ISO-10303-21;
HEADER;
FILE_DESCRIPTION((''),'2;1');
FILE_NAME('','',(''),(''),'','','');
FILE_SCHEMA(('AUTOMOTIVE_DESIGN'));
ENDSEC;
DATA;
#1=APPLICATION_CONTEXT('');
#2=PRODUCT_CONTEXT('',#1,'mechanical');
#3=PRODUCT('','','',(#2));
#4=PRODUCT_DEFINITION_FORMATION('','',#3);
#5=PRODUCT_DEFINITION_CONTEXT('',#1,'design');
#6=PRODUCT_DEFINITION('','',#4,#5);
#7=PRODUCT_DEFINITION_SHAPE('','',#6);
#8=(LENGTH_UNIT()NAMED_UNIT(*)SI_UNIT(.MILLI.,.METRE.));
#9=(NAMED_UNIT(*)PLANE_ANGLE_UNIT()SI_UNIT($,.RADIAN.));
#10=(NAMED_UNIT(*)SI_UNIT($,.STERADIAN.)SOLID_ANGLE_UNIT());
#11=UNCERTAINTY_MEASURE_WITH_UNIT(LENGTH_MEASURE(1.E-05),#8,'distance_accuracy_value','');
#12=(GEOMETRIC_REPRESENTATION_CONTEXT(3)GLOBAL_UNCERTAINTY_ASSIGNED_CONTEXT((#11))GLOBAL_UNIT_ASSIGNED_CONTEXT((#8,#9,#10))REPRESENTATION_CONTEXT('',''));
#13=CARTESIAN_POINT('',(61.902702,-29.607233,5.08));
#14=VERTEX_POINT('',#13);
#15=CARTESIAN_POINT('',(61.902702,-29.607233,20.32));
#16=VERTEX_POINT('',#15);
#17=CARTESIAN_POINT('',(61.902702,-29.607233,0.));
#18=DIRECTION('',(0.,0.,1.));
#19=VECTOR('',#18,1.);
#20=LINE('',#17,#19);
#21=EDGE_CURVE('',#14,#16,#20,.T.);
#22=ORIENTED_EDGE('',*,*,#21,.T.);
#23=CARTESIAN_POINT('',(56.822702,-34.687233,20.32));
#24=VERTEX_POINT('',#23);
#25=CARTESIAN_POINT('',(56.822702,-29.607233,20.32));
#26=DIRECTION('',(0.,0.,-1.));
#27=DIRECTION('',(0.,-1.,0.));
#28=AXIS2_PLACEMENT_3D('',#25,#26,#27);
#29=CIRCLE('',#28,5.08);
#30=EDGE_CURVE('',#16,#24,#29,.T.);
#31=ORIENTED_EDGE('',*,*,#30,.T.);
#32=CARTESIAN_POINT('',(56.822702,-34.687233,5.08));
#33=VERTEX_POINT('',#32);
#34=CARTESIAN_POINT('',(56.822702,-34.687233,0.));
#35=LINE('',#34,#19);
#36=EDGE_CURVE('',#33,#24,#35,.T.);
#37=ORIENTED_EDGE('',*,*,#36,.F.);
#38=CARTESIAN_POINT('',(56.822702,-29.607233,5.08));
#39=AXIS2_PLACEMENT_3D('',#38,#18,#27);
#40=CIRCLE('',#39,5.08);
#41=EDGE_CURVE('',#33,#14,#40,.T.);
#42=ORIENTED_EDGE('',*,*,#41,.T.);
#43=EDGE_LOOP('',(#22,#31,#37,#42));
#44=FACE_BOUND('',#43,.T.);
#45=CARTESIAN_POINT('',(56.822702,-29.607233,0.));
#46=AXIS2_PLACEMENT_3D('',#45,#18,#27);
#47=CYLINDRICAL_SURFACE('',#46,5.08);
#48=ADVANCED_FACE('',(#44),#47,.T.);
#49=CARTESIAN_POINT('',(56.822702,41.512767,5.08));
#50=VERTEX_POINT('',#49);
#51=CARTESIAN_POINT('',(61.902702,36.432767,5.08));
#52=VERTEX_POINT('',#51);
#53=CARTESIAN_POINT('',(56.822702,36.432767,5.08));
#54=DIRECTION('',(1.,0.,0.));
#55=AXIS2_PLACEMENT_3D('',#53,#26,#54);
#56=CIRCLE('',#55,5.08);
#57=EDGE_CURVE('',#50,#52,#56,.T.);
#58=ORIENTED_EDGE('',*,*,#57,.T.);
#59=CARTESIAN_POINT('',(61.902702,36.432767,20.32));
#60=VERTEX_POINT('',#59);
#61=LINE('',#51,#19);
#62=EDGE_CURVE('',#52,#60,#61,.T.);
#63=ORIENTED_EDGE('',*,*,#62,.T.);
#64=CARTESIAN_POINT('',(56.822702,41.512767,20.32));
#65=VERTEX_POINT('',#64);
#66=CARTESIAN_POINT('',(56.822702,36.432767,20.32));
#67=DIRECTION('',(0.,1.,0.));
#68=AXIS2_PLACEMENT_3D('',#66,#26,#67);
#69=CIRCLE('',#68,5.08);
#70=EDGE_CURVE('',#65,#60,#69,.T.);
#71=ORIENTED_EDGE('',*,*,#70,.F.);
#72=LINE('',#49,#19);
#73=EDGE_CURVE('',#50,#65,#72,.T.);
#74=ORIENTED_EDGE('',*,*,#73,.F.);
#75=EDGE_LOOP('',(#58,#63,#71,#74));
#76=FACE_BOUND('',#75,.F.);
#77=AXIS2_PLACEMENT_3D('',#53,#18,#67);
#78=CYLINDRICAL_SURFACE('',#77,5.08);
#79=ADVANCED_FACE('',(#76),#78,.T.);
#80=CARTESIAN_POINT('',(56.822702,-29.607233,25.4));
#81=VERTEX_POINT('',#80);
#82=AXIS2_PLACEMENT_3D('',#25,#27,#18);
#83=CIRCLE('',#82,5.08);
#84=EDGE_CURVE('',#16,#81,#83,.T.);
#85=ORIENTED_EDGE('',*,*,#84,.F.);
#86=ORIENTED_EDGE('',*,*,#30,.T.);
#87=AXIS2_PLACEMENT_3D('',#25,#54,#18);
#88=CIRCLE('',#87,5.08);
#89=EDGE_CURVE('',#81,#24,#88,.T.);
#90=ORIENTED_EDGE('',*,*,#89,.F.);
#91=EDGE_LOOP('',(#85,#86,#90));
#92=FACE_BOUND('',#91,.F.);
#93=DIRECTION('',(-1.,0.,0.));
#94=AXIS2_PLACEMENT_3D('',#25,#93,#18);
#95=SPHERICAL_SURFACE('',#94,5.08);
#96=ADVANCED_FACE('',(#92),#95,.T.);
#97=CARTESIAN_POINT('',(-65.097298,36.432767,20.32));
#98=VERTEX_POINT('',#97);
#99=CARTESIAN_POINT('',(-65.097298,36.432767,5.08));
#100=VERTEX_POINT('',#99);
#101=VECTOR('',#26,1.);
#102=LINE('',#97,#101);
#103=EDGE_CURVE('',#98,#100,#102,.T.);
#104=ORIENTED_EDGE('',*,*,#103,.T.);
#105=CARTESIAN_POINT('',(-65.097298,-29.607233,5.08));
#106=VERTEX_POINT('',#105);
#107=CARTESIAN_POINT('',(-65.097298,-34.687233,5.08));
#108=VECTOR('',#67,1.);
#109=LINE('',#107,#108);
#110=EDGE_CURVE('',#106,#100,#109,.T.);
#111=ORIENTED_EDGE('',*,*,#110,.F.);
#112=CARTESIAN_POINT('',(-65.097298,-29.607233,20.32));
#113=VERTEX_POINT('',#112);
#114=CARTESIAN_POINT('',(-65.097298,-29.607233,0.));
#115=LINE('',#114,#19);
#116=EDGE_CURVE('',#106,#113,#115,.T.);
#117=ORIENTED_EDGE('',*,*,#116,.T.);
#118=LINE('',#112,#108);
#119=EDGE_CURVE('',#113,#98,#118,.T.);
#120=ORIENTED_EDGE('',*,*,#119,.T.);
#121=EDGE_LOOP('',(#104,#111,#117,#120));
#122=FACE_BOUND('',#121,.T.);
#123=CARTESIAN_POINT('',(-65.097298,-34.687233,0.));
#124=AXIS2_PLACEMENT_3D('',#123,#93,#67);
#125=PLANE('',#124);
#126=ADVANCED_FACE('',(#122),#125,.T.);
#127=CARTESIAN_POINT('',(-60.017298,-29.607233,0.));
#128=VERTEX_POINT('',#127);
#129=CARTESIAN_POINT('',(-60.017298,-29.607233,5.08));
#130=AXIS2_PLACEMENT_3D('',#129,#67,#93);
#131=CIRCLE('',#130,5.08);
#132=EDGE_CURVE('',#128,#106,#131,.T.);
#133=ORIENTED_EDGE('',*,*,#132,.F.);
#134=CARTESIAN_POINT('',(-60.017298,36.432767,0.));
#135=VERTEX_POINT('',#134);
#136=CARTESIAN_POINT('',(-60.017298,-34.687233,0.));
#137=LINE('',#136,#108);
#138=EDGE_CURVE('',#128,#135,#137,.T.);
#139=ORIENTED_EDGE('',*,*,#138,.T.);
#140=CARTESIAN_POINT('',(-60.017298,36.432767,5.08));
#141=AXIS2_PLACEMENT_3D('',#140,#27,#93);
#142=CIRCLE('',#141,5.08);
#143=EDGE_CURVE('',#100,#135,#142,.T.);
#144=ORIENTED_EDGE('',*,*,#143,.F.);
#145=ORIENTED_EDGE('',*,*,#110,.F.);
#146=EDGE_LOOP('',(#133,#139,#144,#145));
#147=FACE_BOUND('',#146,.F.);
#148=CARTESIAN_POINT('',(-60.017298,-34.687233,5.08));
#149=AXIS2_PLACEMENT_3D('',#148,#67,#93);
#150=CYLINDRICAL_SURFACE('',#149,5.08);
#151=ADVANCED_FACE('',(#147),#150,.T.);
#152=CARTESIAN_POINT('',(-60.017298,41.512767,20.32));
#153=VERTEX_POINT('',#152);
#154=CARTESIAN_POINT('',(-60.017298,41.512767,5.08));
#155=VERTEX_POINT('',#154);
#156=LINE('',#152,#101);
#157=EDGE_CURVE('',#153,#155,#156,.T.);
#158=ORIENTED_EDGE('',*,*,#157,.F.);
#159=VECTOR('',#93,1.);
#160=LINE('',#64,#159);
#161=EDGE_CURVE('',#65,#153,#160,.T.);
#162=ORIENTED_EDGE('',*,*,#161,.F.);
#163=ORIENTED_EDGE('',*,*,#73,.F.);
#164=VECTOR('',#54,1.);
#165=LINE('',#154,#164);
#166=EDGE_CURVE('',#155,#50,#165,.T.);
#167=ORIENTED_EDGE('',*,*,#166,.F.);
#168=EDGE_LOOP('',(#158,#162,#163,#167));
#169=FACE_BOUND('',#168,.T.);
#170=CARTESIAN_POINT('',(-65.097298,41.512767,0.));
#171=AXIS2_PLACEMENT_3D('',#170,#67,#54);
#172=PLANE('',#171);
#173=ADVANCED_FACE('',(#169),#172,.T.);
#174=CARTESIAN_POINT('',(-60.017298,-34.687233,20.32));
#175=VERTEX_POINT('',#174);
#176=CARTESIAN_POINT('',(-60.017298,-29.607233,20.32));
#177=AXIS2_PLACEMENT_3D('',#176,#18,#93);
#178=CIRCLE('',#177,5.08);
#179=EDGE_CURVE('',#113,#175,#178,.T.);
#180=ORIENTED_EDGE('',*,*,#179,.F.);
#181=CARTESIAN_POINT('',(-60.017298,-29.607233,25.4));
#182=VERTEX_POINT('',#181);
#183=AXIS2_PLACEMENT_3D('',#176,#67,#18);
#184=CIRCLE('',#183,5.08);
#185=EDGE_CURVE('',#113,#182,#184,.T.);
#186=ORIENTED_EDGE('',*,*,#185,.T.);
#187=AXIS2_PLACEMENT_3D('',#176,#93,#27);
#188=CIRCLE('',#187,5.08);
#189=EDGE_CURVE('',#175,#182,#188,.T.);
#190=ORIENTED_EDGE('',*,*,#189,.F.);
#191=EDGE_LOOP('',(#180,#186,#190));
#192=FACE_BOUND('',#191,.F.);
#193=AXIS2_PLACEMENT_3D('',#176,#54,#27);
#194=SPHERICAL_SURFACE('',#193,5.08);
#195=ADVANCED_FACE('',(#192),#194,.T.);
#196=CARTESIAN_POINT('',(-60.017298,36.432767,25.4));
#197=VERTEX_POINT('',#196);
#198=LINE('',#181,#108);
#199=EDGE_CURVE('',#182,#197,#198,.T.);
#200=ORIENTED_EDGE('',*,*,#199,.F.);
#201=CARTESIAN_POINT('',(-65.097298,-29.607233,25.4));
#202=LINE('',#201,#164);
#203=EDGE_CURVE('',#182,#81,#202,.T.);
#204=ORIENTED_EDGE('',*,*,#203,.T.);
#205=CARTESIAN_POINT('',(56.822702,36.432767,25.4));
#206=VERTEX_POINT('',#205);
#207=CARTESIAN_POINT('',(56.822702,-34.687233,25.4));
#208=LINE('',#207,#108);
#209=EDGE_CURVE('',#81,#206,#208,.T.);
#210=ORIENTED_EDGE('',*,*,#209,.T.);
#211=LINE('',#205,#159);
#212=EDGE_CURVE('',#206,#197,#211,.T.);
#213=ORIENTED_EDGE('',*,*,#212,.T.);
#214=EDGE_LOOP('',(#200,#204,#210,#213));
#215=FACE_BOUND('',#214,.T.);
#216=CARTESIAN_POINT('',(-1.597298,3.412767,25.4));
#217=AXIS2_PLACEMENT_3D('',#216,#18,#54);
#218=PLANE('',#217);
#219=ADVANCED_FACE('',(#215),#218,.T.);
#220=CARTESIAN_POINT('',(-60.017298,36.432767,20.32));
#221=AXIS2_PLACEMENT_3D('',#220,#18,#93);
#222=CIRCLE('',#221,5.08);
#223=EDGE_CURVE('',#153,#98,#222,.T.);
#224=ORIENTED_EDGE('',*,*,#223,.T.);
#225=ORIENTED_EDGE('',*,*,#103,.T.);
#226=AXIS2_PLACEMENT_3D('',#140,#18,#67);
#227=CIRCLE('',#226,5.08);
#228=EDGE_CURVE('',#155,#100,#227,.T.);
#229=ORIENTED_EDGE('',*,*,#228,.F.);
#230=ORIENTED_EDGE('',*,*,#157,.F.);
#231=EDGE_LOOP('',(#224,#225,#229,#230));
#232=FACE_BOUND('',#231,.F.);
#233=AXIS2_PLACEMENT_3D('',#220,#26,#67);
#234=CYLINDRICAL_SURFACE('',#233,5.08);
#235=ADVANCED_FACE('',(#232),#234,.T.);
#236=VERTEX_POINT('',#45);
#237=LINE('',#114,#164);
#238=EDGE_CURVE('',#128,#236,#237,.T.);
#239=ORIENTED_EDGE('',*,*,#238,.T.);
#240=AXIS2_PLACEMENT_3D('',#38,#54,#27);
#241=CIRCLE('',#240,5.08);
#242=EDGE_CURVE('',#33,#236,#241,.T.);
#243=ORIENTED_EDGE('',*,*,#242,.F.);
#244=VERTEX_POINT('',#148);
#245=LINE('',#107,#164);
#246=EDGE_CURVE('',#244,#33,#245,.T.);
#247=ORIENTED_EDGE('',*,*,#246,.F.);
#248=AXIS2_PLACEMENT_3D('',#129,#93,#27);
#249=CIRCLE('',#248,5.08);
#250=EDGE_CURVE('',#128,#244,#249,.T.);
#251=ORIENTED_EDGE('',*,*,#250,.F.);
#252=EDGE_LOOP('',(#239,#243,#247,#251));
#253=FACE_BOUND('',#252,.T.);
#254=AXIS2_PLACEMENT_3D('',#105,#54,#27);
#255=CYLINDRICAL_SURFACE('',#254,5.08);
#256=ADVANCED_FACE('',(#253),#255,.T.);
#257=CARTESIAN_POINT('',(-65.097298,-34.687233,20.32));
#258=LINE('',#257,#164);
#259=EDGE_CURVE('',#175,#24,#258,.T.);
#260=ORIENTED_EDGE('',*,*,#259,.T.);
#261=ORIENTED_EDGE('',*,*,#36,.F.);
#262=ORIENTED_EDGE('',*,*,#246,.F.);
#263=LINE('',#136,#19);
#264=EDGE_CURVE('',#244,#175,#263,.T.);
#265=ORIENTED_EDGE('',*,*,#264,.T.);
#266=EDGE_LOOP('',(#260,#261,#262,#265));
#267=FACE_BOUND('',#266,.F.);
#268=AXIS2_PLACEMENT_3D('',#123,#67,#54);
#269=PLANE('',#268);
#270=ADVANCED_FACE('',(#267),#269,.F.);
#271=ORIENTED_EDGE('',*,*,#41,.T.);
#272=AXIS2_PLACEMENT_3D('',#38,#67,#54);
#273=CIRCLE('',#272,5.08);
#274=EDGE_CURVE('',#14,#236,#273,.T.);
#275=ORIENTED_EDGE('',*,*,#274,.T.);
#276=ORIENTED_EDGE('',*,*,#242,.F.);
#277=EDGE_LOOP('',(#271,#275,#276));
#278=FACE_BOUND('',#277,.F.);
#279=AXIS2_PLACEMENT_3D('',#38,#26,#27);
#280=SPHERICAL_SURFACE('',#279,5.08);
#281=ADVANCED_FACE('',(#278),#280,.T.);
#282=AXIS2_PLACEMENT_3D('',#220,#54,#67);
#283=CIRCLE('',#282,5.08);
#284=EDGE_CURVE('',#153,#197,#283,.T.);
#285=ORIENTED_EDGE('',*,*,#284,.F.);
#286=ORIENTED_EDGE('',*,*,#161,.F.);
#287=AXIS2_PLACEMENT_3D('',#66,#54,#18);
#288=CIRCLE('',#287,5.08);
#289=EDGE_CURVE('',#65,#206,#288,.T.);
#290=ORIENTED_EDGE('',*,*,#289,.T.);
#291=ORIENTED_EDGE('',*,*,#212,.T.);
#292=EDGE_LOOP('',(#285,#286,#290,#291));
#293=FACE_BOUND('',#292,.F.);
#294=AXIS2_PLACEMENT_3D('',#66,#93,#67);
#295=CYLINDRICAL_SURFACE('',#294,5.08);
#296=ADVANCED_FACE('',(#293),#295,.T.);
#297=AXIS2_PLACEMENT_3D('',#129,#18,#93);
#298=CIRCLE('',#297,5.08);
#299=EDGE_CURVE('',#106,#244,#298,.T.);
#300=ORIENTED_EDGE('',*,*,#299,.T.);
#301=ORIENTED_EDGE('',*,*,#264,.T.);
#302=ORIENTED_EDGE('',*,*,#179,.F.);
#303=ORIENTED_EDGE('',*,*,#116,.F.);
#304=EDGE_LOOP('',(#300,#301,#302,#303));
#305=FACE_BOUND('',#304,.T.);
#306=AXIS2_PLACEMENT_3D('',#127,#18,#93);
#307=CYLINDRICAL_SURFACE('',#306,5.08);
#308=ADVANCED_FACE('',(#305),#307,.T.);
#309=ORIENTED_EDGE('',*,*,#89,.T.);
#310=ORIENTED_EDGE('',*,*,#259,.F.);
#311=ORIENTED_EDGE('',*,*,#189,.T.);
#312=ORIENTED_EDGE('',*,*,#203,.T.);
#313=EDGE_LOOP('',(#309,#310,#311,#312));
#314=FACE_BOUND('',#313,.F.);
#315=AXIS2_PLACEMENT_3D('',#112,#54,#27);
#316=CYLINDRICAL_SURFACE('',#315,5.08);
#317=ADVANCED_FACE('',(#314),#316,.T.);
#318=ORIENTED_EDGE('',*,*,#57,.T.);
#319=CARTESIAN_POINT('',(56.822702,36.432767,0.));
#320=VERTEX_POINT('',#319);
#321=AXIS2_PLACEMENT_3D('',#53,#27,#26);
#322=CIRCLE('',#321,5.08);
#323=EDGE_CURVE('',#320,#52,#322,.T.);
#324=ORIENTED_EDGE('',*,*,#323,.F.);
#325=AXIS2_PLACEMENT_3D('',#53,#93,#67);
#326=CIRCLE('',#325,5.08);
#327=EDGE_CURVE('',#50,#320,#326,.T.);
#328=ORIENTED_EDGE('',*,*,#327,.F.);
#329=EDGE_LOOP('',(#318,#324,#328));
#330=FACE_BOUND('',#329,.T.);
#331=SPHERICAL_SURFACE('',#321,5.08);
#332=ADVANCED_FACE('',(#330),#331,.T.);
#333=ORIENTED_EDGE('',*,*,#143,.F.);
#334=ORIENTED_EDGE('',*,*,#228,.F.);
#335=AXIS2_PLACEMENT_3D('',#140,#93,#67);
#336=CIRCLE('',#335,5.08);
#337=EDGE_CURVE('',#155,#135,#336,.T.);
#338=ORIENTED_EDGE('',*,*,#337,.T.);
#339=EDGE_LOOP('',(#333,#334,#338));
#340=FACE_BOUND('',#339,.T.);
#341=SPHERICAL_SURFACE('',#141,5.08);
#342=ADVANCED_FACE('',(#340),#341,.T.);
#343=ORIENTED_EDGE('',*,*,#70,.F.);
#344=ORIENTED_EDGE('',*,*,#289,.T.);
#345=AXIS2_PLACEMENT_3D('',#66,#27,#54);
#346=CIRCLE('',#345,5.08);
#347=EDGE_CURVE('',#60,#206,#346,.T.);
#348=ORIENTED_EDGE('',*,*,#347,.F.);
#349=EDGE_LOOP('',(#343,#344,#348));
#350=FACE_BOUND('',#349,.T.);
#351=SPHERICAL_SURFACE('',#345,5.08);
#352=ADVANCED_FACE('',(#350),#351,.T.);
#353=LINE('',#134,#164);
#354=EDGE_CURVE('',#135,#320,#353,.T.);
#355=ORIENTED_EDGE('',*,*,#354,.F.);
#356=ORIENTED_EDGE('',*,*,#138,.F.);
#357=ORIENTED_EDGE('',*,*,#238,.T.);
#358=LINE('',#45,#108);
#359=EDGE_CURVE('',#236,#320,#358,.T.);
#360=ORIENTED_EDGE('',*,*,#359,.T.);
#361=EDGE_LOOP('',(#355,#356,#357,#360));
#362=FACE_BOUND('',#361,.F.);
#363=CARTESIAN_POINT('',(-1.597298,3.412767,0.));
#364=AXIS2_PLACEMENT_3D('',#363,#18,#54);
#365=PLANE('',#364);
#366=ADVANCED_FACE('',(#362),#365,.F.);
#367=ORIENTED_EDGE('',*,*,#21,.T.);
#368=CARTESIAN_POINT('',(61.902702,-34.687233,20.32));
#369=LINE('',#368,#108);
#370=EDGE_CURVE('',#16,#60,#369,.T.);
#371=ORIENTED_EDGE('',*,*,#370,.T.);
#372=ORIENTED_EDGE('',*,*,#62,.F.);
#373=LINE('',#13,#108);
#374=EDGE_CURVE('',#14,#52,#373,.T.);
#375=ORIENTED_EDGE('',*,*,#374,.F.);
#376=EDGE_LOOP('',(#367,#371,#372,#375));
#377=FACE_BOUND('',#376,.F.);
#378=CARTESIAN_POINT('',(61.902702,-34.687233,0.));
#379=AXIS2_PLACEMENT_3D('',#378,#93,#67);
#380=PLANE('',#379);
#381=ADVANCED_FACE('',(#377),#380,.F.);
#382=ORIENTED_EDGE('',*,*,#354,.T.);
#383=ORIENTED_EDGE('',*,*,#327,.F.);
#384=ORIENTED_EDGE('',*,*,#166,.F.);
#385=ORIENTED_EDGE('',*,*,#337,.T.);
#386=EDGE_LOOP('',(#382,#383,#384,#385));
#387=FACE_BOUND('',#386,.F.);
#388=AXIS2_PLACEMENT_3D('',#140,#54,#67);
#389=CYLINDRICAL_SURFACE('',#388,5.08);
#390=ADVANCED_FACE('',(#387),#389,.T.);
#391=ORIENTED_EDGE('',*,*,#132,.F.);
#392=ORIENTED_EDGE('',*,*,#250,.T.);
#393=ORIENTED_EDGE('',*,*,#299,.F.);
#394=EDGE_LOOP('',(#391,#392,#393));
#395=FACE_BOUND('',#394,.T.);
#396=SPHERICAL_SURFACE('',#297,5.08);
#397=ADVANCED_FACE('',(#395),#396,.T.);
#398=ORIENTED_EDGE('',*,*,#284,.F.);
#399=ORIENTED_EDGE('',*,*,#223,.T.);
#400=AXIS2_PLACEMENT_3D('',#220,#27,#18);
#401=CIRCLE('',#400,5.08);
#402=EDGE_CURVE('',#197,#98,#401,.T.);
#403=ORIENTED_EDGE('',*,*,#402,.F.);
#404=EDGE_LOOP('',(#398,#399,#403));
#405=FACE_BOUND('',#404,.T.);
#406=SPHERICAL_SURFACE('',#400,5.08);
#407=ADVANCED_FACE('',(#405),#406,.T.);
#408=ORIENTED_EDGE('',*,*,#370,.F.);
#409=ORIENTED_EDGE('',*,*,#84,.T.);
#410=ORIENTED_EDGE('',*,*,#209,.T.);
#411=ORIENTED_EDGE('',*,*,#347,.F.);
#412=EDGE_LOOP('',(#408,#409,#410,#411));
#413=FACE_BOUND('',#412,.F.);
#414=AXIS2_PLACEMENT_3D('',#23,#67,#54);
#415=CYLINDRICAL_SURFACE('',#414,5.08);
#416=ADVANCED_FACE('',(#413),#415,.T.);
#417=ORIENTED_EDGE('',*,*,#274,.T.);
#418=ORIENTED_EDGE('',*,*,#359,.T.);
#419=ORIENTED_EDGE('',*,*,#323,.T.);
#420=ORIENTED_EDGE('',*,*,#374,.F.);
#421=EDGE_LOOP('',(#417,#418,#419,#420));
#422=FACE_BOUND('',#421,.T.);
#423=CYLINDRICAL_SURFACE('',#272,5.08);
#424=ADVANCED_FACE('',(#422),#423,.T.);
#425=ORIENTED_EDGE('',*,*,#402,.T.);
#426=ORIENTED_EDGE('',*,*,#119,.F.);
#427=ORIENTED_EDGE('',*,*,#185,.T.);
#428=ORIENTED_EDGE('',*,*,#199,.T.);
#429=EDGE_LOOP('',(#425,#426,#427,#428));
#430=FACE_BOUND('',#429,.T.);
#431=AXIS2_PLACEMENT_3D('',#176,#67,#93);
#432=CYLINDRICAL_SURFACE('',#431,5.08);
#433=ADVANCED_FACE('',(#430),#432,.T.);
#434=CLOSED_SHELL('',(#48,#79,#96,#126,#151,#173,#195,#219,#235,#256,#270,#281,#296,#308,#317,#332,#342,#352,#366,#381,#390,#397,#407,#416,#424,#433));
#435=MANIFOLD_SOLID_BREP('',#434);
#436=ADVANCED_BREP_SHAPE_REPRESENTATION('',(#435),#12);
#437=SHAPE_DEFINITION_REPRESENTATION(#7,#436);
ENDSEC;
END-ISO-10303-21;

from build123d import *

# Parameters (mm, degrees)
F0_W     = 127
F0_H     = 76.2
F1_DEPTH = 25.4
F2_R     = 5.08
F3_R     = 5.08
F4_R     = 5.08


with BuildPart() as f1:
    # F0 (on Top) → F1 (new body)
    with BuildSketch(Plane.XY):
        with Locations((-1.597298, 3.412767)):
            Rectangle(F0_W, F0_H)
    extrude(amount=F1_DEPTH)

    # F2
    f2_edges = [f1.edges().sort_by_distance(p)[0] for p in [
        (-1.597298, -34.687233, 25.4),
        (61.902702, 3.412767, 25.4),
        (61.902702, -34.687233, 12.7),
    ]]
    fillet(f2_edges, radius=F2_R)

    # F3
    f3_edges = [f1.edges().sort_by_distance(p)[0] for p in [
        (-65.097298, 5.952767, 25.4),
        (-65.097298, -34.687233, 10.16),
        (-65.097298, 3.412767, 0),
        (-4.137298, -34.687233, 0),
    ]]
    fillet(f3_edges, radius=F3_R)

    # F4
    f4_edges = [f1.edges().sort_by_distance(p)[0] for p in [
        (-1.597298, 41.512767, 0),
        (61.902702, 41.512767, 12.7),
        (-1.597298, 41.512767, 25.4),
        (-65.097298, 41.512767, 12.7),
    ]]
    fillet(f4_edges, radius=F4_R)


solid = f1.part
